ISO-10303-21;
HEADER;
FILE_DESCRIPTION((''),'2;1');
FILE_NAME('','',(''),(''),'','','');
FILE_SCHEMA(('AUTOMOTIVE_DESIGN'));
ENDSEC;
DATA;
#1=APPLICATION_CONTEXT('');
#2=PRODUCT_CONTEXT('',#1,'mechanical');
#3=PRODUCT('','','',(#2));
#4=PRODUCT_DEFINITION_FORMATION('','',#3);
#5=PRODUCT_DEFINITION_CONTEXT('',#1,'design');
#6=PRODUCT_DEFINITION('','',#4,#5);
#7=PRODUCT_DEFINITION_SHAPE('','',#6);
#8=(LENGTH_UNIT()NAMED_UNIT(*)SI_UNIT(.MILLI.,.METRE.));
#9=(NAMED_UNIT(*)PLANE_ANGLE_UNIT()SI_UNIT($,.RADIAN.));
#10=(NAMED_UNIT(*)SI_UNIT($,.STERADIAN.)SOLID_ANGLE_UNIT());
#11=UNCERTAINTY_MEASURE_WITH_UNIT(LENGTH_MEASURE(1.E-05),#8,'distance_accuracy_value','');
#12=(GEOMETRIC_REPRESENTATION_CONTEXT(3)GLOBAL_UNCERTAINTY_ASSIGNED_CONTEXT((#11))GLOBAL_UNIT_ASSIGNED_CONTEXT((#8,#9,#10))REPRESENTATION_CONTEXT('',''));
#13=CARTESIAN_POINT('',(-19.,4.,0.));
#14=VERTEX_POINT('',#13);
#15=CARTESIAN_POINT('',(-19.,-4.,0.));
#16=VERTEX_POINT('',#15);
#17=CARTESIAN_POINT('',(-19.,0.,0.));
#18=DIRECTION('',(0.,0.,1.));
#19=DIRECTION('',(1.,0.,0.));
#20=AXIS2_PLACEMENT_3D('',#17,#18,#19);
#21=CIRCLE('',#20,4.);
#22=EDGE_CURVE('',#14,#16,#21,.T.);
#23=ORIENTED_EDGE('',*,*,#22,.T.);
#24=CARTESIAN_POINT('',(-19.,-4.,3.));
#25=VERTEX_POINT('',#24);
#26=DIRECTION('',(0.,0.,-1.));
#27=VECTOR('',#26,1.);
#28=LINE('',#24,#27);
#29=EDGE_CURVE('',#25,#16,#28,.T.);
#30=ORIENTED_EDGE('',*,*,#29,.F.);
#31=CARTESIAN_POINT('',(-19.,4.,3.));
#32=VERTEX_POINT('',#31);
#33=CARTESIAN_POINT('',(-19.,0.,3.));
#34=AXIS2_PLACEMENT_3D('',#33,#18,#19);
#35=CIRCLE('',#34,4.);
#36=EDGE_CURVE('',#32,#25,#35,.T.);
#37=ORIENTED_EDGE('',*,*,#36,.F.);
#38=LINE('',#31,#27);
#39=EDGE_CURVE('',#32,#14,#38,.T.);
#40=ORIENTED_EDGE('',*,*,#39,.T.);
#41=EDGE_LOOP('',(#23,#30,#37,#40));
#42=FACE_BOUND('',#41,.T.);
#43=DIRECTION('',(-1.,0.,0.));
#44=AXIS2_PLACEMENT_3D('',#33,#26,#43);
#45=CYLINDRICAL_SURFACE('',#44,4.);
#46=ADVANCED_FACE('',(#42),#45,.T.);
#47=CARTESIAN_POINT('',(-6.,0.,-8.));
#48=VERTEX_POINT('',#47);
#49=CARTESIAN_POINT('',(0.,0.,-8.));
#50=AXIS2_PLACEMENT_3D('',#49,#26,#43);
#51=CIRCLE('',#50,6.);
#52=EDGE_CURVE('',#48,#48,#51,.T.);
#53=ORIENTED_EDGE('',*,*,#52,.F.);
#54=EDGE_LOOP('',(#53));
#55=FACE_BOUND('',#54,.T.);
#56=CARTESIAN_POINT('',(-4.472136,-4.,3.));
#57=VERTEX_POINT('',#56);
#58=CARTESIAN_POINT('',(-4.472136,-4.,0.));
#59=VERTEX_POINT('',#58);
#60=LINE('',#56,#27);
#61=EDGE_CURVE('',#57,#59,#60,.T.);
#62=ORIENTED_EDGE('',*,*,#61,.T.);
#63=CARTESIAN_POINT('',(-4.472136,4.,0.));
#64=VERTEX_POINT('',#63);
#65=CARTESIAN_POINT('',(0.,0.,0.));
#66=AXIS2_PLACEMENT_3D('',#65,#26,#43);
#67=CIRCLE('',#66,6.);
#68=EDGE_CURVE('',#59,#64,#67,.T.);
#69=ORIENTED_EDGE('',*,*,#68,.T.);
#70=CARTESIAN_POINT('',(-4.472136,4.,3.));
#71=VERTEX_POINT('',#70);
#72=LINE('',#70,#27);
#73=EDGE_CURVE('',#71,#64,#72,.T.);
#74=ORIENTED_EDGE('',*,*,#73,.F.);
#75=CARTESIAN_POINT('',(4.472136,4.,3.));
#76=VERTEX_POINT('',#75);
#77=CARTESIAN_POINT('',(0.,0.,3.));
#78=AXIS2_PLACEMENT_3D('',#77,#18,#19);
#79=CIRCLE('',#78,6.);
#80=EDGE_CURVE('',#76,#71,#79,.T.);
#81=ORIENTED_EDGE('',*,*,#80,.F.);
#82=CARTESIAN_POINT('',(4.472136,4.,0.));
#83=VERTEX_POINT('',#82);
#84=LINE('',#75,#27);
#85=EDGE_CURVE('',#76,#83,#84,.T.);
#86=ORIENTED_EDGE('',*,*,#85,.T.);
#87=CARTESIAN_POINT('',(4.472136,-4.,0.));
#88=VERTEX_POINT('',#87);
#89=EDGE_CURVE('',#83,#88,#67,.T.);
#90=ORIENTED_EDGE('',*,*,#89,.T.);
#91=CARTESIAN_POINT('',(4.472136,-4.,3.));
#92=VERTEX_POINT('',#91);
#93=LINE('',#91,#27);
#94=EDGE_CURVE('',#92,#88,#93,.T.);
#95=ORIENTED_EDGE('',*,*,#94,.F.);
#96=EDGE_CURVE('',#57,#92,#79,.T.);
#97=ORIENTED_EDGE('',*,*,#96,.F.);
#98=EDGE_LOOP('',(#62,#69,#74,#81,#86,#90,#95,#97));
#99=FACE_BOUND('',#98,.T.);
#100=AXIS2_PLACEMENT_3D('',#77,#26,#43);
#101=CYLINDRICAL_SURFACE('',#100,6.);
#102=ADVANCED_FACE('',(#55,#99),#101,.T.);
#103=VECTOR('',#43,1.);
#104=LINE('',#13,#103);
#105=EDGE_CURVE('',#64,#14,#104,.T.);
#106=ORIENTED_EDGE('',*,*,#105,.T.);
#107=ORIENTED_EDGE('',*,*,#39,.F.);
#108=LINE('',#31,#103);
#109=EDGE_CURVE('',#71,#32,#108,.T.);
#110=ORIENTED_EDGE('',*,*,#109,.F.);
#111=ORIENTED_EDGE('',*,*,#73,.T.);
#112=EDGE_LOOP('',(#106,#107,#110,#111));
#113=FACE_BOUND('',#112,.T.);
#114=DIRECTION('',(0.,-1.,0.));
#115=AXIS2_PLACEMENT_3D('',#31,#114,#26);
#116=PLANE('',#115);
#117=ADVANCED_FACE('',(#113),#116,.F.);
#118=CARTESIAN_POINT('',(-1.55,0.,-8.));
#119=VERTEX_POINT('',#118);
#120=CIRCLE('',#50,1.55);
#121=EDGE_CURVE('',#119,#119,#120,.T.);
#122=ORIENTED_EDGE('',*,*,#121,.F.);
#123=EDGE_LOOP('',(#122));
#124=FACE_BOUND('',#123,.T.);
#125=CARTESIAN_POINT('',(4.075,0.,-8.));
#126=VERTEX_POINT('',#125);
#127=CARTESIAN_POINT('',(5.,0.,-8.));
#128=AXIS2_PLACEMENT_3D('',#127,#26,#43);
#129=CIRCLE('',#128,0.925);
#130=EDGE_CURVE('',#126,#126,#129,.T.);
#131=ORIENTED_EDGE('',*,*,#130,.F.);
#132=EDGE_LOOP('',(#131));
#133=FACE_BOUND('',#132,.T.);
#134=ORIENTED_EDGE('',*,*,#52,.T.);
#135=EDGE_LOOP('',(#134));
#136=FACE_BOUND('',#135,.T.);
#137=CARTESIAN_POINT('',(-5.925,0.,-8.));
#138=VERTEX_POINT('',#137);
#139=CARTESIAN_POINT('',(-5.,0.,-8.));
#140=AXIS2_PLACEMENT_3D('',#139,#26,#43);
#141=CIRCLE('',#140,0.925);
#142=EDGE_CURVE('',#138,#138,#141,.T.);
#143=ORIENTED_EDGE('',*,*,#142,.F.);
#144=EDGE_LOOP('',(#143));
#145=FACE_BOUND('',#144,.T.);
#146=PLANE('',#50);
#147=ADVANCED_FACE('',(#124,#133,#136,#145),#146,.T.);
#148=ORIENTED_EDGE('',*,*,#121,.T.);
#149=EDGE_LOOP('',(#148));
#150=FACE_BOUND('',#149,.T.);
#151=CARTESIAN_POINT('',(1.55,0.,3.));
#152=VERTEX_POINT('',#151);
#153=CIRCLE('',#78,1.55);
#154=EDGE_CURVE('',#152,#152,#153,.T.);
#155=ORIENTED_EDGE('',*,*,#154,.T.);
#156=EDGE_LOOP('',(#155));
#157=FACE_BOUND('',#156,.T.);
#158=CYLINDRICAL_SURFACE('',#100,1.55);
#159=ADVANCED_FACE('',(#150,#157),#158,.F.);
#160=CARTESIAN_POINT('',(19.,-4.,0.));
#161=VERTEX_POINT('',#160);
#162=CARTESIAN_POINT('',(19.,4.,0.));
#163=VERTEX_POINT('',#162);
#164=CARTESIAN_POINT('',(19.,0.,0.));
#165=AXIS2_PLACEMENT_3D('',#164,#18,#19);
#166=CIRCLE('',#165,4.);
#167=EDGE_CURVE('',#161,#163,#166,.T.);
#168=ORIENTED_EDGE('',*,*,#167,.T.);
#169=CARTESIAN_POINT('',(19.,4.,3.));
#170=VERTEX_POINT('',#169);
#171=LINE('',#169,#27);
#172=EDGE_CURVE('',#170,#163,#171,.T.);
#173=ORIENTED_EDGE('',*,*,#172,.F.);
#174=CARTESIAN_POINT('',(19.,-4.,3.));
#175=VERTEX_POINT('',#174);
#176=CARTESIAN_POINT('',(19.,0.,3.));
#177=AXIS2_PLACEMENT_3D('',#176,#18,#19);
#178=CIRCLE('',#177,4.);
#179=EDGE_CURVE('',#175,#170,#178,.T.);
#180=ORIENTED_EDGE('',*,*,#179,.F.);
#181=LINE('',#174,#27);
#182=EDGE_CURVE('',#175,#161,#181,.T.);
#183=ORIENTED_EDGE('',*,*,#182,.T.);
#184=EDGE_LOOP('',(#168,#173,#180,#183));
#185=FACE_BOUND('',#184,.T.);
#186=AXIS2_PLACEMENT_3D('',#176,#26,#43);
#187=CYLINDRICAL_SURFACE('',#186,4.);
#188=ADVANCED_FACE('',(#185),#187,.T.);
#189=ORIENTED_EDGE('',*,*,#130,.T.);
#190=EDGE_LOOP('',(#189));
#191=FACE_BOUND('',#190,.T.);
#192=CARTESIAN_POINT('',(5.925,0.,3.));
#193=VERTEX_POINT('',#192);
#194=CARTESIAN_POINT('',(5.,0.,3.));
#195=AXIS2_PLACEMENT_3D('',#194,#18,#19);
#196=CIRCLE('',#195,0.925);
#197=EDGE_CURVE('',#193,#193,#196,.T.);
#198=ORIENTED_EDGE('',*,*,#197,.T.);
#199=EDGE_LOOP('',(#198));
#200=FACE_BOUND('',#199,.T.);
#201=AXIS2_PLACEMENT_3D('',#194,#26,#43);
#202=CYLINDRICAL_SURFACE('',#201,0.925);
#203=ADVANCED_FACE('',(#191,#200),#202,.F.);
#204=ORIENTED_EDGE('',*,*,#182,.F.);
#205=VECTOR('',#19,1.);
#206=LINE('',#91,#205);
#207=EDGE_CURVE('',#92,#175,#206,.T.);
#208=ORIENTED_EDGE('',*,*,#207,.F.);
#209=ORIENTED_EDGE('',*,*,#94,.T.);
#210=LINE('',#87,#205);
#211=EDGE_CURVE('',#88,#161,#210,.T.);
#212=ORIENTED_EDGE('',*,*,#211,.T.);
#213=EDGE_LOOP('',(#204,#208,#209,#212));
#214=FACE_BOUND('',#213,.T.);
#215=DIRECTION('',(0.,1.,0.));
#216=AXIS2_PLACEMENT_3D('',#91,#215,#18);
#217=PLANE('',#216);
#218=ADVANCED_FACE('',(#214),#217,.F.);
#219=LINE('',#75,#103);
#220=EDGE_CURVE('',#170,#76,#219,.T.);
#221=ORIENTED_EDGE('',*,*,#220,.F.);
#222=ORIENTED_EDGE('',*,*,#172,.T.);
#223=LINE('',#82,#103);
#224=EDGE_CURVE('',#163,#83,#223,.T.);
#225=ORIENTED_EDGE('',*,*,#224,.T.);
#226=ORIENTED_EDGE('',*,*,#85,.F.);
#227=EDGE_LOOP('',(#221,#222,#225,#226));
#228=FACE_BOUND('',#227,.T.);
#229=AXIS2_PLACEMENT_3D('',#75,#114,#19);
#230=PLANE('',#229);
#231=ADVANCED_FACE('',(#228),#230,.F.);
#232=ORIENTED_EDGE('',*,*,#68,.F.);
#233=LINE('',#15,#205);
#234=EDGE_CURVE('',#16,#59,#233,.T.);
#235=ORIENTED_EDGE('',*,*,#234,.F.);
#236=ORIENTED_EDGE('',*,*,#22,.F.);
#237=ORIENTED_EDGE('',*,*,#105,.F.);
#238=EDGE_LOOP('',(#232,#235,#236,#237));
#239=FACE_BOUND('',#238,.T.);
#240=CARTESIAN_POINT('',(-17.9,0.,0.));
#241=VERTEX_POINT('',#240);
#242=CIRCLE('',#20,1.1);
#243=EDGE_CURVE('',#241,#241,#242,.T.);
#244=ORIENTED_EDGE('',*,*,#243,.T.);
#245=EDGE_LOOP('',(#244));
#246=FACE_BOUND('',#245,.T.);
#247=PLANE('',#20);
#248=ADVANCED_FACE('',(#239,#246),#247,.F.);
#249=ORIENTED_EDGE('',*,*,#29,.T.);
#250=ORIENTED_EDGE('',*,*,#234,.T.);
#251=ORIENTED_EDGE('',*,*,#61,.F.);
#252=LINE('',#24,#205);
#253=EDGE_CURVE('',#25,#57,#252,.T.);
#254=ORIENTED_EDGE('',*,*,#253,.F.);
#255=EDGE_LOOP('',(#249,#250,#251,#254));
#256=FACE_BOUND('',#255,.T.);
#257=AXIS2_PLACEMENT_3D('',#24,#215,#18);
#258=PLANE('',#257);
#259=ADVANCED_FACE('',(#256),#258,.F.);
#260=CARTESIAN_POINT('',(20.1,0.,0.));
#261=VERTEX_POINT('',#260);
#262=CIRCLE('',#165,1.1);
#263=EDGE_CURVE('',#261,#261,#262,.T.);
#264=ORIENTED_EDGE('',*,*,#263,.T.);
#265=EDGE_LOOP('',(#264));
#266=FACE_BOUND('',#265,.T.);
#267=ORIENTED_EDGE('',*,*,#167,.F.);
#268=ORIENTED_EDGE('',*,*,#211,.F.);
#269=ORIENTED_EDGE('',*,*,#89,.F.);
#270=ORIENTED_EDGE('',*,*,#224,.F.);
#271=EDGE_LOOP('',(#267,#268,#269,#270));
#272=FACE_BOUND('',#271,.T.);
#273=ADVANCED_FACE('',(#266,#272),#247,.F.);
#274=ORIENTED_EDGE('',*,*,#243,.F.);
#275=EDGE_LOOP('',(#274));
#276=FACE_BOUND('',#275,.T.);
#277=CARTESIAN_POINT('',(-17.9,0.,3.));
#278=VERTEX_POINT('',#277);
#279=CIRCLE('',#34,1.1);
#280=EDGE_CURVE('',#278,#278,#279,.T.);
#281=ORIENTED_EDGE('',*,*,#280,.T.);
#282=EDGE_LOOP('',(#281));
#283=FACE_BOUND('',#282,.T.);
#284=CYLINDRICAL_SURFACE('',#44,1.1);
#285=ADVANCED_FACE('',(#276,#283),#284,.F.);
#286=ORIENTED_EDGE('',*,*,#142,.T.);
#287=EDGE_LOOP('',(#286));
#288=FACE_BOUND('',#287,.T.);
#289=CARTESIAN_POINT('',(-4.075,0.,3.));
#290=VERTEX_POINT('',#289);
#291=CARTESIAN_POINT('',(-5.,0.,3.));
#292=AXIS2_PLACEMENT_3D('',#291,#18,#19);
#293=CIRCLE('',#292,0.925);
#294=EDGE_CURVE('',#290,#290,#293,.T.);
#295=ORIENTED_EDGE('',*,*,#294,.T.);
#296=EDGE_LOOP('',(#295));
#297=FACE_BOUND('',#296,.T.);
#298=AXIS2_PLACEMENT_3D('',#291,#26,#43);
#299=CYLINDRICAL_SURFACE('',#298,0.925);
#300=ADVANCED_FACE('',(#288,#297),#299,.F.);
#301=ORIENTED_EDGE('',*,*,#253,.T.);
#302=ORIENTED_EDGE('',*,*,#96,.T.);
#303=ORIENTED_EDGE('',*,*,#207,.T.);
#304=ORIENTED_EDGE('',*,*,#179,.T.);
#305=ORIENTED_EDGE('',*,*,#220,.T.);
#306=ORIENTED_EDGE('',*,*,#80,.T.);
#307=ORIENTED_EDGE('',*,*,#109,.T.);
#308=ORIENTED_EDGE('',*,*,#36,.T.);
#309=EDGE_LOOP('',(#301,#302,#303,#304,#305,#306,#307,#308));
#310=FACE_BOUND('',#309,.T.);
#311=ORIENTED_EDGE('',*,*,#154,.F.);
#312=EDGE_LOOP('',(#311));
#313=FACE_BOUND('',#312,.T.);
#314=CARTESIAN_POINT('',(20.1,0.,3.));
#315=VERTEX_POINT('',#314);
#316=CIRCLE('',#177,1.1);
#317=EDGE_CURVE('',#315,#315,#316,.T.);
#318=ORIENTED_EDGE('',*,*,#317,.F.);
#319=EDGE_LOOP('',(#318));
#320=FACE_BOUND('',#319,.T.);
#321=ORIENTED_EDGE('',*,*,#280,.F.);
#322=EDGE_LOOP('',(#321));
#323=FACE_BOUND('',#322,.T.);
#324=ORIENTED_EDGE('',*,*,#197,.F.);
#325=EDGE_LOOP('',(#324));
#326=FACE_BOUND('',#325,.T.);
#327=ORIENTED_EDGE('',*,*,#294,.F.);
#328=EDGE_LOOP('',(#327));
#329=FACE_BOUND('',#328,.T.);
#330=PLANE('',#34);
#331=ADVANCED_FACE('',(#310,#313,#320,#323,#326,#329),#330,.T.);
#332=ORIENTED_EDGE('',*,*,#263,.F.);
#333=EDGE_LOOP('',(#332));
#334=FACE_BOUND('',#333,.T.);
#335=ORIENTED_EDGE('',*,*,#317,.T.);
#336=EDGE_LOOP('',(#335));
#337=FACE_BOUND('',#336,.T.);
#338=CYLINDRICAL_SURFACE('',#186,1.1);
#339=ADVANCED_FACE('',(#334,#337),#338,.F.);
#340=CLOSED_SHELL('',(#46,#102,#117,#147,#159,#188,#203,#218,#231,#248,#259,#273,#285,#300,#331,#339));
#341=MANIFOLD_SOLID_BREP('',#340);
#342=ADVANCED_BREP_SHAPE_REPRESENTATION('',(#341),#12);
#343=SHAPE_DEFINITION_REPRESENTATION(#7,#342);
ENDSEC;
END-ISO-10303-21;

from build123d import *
from build123d.topology import SkipClean

# Parameters (mm, degrees)
SKETCH_1_R      = 1.55
SKETCH_1_R_2    = 1.1
SKETCH_1_R_3    = 0.925
EXTRUDE_1_DEPTH = 3
EXTRUDE_START   = 8
SKETCH_2_R      = 6
SKETCH_2_R_2    = 1.55
SKETCH_2_R_3    = 0.925
EXTRUDE_2_DEPTH = 8


with BuildPart() as part:
    # 草图1 → 凸台-拉伸1 (new body)
    with BuildSketch(Plane.XY):
        with BuildLine():
            Line((4.472135955, 4), (19, 4))
            ThreePointArc((19, 4), (23, 0), (19, -4))
            Line((19, -4), (4.472135955, -4))
            ThreePointArc((4.472135955, -4), (0, -6), (-4.472135955, -4))
            Line((-4.472135955, -4), (-19, -4))
            ThreePointArc((-19, -4), (-23, 0), (-19, 4))
            Line((-19, 4), (-4.472135955, 4))
            ThreePointArc((-4.472135955, 4), (0, 6), (4.472135955, 4))
        make_face()
        Circle(SKETCH_1_R, mode=Mode.SUBTRACT)
        with Locations((19, 0)):
            Circle(SKETCH_1_R_2, mode=Mode.SUBTRACT)
        with Locations((-19, 0)):
            Circle(SKETCH_1_R_2, mode=Mode.SUBTRACT)
        with Locations((-5, 0)):
            Circle(SKETCH_1_R_3, mode=Mode.SUBTRACT)
        with Locations((5, 0)):
            Circle(SKETCH_1_R_3, mode=Mode.SUBTRACT)
    extrude(amount=EXTRUDE_1_DEPTH)

    # 草图2 → 凸台-拉伸2 (add)
    with SkipClean():  # the faces are left unmerged after this step: merging them gives an invalid solid
        with BuildSketch(Plane(origin=(0, 0, 0), x_dir=(-1, 0, 0), z_dir=(0, 0, -1)).offset(EXTRUDE_START)):
            Circle(SKETCH_2_R)
            Circle(SKETCH_2_R_2, mode=Mode.SUBTRACT)
            with Locations((-5, 0)):
                Circle(SKETCH_2_R_3, mode=Mode.SUBTRACT)
            with Locations((5, 0)):
                Circle(SKETCH_2_R_3, mode=Mode.SUBTRACT)
        extrude(amount=-EXTRUDE_2_DEPTH)


solid = part.part
